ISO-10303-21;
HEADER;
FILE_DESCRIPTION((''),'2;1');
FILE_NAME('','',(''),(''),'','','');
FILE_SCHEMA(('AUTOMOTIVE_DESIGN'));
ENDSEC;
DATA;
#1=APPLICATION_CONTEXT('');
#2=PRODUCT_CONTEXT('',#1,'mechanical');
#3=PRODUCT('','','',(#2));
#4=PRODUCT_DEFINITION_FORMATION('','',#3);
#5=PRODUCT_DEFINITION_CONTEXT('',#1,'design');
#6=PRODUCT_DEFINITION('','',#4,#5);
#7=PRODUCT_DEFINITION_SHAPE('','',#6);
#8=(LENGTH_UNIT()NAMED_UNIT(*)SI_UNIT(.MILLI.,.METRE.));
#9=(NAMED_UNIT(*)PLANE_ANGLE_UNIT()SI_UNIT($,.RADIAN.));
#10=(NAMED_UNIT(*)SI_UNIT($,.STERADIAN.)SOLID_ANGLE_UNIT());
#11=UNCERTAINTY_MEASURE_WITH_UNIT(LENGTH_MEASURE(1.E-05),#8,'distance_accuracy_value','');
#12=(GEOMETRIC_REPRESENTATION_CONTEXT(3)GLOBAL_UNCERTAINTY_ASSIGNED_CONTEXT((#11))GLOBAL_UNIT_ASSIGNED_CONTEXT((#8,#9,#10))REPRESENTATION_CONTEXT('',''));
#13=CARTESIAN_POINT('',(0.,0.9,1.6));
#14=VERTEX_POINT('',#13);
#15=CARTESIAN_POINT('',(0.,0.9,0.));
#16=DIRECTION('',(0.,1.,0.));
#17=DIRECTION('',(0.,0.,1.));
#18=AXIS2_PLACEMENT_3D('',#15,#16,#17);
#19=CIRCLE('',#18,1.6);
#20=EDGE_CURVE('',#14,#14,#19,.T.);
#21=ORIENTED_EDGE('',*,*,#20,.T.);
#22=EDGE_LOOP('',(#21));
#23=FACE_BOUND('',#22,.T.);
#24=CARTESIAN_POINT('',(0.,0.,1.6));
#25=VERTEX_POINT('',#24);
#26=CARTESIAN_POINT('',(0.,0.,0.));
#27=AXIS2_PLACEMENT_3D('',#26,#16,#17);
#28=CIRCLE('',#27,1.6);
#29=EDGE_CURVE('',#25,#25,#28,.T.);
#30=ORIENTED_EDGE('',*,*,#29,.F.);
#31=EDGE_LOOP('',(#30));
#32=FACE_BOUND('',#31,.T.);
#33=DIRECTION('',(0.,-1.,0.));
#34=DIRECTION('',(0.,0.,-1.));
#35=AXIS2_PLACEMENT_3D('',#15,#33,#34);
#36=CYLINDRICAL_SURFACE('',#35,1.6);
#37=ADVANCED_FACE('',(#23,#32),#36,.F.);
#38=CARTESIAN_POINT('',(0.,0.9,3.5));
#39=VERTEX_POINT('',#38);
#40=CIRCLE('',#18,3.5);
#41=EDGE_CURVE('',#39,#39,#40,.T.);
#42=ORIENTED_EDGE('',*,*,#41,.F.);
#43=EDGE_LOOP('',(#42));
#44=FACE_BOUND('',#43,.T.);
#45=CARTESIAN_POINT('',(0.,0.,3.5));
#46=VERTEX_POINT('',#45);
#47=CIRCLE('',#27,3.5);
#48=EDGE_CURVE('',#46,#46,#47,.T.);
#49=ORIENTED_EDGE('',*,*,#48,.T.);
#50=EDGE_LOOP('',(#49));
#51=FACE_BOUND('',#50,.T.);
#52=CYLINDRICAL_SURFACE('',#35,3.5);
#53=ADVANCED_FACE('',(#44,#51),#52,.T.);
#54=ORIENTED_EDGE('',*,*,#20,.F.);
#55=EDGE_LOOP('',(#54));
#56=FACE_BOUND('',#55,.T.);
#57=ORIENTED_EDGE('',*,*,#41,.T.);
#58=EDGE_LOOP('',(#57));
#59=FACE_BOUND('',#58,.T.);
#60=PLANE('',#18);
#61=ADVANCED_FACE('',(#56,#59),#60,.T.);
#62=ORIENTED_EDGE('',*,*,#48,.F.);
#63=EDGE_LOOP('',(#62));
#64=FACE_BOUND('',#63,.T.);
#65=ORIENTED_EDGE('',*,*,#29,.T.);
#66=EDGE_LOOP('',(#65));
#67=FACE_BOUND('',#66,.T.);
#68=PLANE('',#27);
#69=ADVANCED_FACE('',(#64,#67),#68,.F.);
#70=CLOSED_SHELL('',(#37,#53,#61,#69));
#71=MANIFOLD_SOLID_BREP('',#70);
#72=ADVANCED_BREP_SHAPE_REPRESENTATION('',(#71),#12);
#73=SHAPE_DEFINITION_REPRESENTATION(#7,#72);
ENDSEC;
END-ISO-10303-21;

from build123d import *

# Parameters (mm, degrees)
SKETCH_1_R      = 3.5
SKETCH_1_R_2    = 1.6
EXTRUDE_1_DEPTH = 0.9


with BuildPart() as part:
    # Эскиз1 → Вытянуть1 (new body)
    with BuildSketch(Plane(origin=(0, 0, 0), x_dir=(1, 0, 0), z_dir=(0, 1, 0))):
        with Locations(Location((0, 0, 0), (0, 0, 270))):
            Circle(SKETCH_1_R)
        with Locations(Location((0, 0, 0), (0, 0, 270))):
            Circle(SKETCH_1_R_2, mode=Mode.SUBTRACT)
    extrude(amount=EXTRUDE_1_DEPTH)


solid = part.part
